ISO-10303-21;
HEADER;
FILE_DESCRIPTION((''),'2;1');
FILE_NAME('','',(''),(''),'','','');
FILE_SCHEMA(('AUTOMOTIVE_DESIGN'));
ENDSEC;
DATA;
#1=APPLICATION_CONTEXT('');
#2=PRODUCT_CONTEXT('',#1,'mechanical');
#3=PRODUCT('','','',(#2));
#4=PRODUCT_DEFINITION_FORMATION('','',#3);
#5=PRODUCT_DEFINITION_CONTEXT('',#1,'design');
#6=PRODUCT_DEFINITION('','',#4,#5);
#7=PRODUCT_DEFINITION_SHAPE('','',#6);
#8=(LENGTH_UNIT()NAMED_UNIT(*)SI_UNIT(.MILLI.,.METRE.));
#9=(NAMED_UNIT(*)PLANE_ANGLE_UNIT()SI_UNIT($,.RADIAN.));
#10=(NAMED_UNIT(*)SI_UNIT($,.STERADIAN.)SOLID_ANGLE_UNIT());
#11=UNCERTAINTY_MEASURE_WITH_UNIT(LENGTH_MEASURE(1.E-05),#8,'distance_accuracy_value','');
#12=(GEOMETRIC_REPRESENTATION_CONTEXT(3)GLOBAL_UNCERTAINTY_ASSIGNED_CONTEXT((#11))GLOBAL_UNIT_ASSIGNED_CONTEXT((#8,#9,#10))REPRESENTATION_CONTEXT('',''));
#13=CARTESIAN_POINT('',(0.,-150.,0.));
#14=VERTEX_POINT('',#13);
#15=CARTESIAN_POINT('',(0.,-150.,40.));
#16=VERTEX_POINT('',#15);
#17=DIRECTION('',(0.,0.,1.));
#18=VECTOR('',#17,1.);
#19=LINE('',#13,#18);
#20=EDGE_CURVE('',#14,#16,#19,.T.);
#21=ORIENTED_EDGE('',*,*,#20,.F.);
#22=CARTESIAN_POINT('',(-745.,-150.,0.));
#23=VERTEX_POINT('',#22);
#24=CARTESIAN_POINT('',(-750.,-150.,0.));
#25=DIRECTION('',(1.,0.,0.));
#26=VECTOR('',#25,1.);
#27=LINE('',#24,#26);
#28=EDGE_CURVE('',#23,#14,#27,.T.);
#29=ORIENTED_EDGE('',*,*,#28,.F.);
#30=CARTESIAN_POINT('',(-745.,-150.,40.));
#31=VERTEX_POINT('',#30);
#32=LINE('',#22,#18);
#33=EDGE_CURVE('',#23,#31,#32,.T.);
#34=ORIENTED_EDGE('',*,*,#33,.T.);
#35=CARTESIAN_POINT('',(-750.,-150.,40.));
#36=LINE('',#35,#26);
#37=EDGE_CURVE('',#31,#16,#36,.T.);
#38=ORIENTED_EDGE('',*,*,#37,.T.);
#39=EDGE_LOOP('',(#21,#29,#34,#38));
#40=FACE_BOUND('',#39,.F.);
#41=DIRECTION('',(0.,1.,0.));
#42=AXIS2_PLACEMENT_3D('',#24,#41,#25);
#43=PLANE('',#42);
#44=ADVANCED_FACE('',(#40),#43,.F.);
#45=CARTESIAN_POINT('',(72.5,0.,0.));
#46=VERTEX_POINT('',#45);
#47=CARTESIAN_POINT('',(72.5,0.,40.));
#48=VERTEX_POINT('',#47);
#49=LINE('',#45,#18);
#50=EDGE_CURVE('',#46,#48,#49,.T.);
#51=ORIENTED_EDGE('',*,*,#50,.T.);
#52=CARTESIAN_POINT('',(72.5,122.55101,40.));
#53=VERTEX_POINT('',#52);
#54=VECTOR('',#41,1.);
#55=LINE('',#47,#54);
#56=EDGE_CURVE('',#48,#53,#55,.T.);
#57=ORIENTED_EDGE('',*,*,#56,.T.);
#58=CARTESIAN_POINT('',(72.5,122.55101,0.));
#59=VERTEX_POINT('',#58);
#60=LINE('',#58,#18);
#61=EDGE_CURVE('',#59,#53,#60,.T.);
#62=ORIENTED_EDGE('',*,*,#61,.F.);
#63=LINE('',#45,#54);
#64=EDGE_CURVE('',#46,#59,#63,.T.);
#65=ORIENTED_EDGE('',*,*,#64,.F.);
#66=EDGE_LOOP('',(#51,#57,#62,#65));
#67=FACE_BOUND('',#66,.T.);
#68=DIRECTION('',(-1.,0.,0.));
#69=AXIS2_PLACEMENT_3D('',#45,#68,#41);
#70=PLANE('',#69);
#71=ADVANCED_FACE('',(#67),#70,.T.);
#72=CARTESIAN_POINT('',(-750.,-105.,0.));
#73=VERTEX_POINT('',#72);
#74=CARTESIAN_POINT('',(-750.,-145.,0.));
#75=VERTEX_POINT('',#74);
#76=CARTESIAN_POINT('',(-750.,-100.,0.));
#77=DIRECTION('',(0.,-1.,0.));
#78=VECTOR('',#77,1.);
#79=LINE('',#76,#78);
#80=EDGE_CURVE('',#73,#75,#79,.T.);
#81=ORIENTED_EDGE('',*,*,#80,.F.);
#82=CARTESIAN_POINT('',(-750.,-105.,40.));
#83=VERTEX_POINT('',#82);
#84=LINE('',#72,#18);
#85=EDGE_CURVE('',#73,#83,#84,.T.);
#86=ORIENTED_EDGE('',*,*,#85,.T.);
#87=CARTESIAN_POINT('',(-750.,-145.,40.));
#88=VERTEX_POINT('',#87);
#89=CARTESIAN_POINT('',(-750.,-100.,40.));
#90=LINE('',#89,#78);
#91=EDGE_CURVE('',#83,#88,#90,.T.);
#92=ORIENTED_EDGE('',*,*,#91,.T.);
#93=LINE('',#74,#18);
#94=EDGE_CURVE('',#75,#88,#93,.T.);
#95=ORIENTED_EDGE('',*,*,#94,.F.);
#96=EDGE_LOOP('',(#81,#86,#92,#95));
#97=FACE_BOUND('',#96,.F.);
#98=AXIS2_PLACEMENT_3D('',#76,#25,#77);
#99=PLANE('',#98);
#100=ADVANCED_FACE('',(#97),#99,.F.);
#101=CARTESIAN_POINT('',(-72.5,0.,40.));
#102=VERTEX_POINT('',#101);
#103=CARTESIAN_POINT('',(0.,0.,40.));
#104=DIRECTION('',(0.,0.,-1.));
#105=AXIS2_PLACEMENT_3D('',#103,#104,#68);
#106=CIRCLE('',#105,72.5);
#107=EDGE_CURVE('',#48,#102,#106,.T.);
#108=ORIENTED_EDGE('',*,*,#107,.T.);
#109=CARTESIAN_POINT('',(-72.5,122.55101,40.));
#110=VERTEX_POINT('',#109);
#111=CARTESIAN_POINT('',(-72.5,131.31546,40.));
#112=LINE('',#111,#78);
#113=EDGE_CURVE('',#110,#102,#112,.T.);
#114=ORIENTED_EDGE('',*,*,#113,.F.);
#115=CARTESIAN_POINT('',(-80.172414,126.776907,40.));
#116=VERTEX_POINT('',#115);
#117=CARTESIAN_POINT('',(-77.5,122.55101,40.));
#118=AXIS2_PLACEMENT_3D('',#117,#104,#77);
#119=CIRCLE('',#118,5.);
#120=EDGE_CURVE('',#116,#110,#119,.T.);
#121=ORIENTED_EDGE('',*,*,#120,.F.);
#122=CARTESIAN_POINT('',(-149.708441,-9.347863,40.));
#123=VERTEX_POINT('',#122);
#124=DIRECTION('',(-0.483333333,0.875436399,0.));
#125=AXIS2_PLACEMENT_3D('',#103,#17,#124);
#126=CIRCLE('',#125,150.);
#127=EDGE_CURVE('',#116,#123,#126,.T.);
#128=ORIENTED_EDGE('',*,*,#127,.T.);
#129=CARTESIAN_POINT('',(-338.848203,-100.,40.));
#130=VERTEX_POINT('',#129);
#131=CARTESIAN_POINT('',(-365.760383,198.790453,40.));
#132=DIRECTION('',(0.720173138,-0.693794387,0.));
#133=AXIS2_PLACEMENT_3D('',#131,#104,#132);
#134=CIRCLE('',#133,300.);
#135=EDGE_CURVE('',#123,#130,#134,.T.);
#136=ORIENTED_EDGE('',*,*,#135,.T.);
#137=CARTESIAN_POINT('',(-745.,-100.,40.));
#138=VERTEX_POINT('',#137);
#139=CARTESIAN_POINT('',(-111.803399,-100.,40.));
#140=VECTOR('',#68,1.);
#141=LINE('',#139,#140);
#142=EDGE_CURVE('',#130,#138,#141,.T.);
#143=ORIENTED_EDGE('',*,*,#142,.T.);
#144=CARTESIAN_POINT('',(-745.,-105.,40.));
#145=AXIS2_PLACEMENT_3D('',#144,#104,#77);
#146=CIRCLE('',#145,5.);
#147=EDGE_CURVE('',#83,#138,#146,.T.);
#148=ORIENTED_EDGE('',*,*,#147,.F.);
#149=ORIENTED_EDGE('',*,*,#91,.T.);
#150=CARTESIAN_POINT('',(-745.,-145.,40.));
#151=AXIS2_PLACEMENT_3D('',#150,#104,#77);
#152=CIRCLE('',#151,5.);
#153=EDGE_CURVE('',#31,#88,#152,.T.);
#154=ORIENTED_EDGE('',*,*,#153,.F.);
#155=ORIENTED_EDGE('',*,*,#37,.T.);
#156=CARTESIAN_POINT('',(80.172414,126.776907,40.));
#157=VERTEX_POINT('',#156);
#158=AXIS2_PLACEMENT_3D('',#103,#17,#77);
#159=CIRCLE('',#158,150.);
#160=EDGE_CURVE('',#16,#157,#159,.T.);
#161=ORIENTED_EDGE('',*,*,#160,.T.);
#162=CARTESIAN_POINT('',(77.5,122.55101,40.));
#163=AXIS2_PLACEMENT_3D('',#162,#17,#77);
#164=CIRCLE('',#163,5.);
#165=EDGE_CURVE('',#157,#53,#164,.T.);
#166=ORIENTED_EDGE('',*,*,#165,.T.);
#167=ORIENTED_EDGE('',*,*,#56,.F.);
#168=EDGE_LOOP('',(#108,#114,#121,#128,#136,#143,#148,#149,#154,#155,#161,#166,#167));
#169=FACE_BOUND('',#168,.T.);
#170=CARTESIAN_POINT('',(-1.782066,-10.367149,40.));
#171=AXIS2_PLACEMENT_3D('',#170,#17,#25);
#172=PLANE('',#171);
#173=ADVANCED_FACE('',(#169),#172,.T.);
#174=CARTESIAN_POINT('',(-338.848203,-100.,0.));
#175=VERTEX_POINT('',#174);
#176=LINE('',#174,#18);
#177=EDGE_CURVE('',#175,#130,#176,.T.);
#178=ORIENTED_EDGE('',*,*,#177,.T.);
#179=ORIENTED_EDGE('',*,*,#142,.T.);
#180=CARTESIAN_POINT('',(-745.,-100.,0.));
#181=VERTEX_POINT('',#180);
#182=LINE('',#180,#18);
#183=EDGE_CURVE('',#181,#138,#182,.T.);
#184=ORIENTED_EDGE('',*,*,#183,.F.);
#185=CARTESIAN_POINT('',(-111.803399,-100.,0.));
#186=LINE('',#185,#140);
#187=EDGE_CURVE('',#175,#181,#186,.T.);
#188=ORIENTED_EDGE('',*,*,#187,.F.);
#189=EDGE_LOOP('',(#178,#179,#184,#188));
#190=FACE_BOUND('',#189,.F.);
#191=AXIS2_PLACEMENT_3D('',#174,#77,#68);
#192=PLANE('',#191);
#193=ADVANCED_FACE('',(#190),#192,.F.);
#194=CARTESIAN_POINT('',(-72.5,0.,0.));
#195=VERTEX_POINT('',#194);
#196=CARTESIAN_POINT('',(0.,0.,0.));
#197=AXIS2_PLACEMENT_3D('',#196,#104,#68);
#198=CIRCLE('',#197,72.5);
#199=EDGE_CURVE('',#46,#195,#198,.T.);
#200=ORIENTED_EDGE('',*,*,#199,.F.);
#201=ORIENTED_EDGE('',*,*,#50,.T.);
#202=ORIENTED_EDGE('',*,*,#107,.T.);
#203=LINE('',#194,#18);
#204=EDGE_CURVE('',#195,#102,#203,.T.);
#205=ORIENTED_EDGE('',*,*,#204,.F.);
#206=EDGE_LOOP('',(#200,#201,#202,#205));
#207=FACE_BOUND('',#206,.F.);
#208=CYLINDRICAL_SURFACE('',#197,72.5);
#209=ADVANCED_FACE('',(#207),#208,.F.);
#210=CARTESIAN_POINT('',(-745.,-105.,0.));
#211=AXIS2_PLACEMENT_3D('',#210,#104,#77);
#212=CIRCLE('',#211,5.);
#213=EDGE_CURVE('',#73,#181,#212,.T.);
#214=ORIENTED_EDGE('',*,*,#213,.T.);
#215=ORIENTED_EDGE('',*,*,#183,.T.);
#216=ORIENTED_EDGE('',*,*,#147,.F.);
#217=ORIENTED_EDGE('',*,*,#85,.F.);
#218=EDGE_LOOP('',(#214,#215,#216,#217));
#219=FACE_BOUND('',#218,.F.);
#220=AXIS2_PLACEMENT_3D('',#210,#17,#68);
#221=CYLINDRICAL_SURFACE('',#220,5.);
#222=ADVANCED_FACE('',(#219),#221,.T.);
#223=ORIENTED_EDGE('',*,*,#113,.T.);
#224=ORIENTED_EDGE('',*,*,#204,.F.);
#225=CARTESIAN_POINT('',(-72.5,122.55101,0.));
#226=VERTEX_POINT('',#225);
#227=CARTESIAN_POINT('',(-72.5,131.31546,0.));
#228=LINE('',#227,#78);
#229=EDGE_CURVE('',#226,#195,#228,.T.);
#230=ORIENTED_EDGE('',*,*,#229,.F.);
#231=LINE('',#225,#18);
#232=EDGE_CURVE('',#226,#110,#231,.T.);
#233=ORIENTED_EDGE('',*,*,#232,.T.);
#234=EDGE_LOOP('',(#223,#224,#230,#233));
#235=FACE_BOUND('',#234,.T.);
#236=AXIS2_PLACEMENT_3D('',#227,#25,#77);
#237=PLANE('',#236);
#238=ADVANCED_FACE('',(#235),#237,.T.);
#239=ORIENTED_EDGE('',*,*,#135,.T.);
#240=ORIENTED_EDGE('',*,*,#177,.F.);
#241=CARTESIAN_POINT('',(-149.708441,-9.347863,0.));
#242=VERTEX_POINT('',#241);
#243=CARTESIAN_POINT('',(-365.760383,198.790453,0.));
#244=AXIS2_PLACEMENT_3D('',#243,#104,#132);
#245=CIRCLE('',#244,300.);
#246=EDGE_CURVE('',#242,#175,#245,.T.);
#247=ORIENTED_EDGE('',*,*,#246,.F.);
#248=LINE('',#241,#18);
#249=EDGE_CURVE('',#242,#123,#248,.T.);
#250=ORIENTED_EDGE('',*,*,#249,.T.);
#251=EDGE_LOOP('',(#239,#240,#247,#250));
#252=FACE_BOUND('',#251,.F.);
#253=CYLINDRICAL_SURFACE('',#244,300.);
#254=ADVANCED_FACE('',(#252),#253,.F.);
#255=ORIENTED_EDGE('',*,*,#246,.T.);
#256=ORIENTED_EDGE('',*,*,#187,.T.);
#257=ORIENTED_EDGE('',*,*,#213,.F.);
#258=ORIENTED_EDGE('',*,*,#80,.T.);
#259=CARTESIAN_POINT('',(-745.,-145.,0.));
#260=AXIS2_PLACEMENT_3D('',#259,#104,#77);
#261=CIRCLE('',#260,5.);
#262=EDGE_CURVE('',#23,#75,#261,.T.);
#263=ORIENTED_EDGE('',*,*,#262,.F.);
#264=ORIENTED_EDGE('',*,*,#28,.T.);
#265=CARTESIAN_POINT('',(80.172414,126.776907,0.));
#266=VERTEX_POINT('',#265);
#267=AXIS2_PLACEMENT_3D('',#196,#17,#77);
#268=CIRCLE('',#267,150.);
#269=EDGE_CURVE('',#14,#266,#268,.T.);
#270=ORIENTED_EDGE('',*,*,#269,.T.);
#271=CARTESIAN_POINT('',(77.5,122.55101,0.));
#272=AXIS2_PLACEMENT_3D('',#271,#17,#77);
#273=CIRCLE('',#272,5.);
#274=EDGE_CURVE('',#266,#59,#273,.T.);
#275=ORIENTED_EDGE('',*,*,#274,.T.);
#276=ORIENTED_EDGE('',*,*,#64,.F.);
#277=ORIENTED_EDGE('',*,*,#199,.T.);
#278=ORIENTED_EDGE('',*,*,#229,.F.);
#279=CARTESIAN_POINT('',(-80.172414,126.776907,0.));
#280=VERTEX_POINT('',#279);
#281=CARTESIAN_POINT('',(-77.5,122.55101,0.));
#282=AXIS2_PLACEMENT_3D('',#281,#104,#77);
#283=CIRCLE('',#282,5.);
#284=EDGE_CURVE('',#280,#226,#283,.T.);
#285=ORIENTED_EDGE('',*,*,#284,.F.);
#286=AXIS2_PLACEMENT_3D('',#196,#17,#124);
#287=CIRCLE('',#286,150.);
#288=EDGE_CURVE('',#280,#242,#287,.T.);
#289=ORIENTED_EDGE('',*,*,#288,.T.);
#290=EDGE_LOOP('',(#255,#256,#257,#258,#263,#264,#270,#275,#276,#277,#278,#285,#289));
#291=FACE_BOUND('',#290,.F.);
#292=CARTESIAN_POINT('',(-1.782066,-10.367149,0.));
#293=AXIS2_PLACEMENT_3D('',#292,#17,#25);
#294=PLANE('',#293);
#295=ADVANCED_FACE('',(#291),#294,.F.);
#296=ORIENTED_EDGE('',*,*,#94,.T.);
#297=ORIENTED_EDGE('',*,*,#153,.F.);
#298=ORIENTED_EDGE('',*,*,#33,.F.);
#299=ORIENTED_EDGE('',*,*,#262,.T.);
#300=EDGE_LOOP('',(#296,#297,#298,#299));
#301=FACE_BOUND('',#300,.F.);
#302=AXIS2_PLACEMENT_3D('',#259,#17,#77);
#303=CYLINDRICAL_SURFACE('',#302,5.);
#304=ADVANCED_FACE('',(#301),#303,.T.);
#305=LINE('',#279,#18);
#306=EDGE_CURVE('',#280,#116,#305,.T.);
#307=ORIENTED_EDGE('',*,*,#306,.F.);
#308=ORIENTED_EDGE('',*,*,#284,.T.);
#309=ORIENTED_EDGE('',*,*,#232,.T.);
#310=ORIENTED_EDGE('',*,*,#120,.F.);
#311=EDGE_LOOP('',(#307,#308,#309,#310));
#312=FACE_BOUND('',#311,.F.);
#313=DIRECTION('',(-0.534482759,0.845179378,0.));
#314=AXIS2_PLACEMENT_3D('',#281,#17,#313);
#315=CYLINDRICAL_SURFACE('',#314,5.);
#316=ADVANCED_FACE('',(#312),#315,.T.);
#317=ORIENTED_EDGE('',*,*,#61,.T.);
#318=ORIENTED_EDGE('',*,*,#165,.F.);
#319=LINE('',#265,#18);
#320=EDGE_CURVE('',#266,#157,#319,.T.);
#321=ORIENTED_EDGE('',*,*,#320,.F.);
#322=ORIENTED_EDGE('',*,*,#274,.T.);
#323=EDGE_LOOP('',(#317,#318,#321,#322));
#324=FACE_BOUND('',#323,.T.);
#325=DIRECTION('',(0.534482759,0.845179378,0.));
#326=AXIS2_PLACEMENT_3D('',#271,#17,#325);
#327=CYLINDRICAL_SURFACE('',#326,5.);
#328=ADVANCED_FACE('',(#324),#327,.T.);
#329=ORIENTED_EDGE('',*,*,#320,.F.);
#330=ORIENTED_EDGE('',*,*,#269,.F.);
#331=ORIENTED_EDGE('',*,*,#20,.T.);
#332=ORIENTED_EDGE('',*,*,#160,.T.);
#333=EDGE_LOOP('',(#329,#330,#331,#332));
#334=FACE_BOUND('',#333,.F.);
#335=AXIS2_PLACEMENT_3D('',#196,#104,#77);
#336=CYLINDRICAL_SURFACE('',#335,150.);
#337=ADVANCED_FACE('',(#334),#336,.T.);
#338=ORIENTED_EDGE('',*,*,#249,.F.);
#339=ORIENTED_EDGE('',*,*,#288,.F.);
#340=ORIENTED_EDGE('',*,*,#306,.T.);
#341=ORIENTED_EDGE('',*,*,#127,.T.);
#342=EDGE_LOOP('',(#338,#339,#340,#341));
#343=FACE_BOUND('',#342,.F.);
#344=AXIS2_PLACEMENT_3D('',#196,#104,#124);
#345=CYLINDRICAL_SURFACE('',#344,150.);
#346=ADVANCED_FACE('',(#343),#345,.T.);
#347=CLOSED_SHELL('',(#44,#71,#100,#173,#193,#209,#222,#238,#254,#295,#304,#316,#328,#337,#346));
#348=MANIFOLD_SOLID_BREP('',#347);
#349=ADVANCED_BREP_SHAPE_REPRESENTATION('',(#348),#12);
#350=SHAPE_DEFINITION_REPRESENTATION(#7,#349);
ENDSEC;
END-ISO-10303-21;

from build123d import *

# Parameters (mm, degrees)
F1_DEPTH = 40
F2_DEPTH = 40
F3_R     = 5


with BuildPart() as f1:
    # F0 (on Top) → F1 (new body)
    with BuildSketch(Plane.XY):
        with BuildLine():
            Line((72.5, 131.3154598667), (72.5, 0))
            ThreePointArc((72.5, 0), (0, -72.5), (-72.5, 0))
            Line((-72.5, 0), (-72.5, 131.3154598667))
            ThreePointArc((-72.5, 131.3154598667), (-131.4940701743, 72.1755464751), (-149.7084414814, -9.3478633504))
            ThreePointArc((-149.7084414814, -9.3478633504), (-138.3891727392, -57.8656795395), (-111.803398875, -100))
            Line((-111.803398875, -100), (0, -100))
            Line((0, -100), (0, -150))
            ThreePointArc((0, -150), (106.066017178, -106.066017178), (150, 0))
            ThreePointArc((150, 0), (129.1801068276, 76.2397534099), (72.5, 131.3154598667))
        make_face()
        with BuildLine():
            ThreePointArc((-72.5, 0), (0, 72.5), (72.5, 0))
            Line((72.5, 0), (72.5, 131.3154598667))
            ThreePointArc((72.5, 131.3154598667), (0, 150), (-72.5, 131.3154598667))
            Line((-72.5, 131.3154598667), (-72.5, 0))
        make_face()
        with BuildLine():
            ThreePointArc((-111.803398875, -100), (-138.3891727392, -57.8656795395), (-149.7084414814, -9.3478633504))
            ThreePointArc((-149.7084414814, -9.3478633504), (-236.0979616676, -71.7417201282), (-338.8482034206, -100))
            Line((-338.8482034206, -100), (-111.803398875, -100))
        make_face()
        with BuildLine():
            Line((-750, -150), (0, -150))
            ThreePointArc((0, -150), (-61.2372435696, -136.9306393763), (-111.803398875, -100))
            Line((-111.803398875, -100), (-338.8482034206, -100))
            Line((-338.8482034206, -100), (-750, -100))
            Line((-750, -100), (-750, -150))
        make_face()
        with BuildLine():
            ThreePointArc((-111.803398875, -100), (-61.2372435696, -136.9306393763), (0, -150))
            Line((0, -150), (0, -100))
            Line((0, -100), (-111.803398875, -100))
        make_face()
    extrude(amount=F1_DEPTH)

    # F0 (on Top) → F2 (cut)
    with BuildSketch(Plane.XY):
        with BuildLine():
            ThreePointArc((-72.5, 0), (0, 72.5), (72.5, 0))
            Line((72.5, 0), (72.5, 131.3154598667))
            ThreePointArc((72.5, 131.3154598667), (0, 150), (-72.5, 131.3154598667))
            Line((-72.5, 131.3154598667), (-72.5, 0))
        make_face()
    extrude(amount=F2_DEPTH, mode=Mode.SUBTRACT)

    # F3
    f3_edges = [f1.edges().sort_by_distance(p)[0] for p in [
        (-750, -150, 20),
        (-72.5, 131.31546, 20),
        (72.5, 131.31546, 20),
        (-750, -100, 20),
    ]]
    fillet(f3_edges, radius=F3_R)


solid = f1.part
